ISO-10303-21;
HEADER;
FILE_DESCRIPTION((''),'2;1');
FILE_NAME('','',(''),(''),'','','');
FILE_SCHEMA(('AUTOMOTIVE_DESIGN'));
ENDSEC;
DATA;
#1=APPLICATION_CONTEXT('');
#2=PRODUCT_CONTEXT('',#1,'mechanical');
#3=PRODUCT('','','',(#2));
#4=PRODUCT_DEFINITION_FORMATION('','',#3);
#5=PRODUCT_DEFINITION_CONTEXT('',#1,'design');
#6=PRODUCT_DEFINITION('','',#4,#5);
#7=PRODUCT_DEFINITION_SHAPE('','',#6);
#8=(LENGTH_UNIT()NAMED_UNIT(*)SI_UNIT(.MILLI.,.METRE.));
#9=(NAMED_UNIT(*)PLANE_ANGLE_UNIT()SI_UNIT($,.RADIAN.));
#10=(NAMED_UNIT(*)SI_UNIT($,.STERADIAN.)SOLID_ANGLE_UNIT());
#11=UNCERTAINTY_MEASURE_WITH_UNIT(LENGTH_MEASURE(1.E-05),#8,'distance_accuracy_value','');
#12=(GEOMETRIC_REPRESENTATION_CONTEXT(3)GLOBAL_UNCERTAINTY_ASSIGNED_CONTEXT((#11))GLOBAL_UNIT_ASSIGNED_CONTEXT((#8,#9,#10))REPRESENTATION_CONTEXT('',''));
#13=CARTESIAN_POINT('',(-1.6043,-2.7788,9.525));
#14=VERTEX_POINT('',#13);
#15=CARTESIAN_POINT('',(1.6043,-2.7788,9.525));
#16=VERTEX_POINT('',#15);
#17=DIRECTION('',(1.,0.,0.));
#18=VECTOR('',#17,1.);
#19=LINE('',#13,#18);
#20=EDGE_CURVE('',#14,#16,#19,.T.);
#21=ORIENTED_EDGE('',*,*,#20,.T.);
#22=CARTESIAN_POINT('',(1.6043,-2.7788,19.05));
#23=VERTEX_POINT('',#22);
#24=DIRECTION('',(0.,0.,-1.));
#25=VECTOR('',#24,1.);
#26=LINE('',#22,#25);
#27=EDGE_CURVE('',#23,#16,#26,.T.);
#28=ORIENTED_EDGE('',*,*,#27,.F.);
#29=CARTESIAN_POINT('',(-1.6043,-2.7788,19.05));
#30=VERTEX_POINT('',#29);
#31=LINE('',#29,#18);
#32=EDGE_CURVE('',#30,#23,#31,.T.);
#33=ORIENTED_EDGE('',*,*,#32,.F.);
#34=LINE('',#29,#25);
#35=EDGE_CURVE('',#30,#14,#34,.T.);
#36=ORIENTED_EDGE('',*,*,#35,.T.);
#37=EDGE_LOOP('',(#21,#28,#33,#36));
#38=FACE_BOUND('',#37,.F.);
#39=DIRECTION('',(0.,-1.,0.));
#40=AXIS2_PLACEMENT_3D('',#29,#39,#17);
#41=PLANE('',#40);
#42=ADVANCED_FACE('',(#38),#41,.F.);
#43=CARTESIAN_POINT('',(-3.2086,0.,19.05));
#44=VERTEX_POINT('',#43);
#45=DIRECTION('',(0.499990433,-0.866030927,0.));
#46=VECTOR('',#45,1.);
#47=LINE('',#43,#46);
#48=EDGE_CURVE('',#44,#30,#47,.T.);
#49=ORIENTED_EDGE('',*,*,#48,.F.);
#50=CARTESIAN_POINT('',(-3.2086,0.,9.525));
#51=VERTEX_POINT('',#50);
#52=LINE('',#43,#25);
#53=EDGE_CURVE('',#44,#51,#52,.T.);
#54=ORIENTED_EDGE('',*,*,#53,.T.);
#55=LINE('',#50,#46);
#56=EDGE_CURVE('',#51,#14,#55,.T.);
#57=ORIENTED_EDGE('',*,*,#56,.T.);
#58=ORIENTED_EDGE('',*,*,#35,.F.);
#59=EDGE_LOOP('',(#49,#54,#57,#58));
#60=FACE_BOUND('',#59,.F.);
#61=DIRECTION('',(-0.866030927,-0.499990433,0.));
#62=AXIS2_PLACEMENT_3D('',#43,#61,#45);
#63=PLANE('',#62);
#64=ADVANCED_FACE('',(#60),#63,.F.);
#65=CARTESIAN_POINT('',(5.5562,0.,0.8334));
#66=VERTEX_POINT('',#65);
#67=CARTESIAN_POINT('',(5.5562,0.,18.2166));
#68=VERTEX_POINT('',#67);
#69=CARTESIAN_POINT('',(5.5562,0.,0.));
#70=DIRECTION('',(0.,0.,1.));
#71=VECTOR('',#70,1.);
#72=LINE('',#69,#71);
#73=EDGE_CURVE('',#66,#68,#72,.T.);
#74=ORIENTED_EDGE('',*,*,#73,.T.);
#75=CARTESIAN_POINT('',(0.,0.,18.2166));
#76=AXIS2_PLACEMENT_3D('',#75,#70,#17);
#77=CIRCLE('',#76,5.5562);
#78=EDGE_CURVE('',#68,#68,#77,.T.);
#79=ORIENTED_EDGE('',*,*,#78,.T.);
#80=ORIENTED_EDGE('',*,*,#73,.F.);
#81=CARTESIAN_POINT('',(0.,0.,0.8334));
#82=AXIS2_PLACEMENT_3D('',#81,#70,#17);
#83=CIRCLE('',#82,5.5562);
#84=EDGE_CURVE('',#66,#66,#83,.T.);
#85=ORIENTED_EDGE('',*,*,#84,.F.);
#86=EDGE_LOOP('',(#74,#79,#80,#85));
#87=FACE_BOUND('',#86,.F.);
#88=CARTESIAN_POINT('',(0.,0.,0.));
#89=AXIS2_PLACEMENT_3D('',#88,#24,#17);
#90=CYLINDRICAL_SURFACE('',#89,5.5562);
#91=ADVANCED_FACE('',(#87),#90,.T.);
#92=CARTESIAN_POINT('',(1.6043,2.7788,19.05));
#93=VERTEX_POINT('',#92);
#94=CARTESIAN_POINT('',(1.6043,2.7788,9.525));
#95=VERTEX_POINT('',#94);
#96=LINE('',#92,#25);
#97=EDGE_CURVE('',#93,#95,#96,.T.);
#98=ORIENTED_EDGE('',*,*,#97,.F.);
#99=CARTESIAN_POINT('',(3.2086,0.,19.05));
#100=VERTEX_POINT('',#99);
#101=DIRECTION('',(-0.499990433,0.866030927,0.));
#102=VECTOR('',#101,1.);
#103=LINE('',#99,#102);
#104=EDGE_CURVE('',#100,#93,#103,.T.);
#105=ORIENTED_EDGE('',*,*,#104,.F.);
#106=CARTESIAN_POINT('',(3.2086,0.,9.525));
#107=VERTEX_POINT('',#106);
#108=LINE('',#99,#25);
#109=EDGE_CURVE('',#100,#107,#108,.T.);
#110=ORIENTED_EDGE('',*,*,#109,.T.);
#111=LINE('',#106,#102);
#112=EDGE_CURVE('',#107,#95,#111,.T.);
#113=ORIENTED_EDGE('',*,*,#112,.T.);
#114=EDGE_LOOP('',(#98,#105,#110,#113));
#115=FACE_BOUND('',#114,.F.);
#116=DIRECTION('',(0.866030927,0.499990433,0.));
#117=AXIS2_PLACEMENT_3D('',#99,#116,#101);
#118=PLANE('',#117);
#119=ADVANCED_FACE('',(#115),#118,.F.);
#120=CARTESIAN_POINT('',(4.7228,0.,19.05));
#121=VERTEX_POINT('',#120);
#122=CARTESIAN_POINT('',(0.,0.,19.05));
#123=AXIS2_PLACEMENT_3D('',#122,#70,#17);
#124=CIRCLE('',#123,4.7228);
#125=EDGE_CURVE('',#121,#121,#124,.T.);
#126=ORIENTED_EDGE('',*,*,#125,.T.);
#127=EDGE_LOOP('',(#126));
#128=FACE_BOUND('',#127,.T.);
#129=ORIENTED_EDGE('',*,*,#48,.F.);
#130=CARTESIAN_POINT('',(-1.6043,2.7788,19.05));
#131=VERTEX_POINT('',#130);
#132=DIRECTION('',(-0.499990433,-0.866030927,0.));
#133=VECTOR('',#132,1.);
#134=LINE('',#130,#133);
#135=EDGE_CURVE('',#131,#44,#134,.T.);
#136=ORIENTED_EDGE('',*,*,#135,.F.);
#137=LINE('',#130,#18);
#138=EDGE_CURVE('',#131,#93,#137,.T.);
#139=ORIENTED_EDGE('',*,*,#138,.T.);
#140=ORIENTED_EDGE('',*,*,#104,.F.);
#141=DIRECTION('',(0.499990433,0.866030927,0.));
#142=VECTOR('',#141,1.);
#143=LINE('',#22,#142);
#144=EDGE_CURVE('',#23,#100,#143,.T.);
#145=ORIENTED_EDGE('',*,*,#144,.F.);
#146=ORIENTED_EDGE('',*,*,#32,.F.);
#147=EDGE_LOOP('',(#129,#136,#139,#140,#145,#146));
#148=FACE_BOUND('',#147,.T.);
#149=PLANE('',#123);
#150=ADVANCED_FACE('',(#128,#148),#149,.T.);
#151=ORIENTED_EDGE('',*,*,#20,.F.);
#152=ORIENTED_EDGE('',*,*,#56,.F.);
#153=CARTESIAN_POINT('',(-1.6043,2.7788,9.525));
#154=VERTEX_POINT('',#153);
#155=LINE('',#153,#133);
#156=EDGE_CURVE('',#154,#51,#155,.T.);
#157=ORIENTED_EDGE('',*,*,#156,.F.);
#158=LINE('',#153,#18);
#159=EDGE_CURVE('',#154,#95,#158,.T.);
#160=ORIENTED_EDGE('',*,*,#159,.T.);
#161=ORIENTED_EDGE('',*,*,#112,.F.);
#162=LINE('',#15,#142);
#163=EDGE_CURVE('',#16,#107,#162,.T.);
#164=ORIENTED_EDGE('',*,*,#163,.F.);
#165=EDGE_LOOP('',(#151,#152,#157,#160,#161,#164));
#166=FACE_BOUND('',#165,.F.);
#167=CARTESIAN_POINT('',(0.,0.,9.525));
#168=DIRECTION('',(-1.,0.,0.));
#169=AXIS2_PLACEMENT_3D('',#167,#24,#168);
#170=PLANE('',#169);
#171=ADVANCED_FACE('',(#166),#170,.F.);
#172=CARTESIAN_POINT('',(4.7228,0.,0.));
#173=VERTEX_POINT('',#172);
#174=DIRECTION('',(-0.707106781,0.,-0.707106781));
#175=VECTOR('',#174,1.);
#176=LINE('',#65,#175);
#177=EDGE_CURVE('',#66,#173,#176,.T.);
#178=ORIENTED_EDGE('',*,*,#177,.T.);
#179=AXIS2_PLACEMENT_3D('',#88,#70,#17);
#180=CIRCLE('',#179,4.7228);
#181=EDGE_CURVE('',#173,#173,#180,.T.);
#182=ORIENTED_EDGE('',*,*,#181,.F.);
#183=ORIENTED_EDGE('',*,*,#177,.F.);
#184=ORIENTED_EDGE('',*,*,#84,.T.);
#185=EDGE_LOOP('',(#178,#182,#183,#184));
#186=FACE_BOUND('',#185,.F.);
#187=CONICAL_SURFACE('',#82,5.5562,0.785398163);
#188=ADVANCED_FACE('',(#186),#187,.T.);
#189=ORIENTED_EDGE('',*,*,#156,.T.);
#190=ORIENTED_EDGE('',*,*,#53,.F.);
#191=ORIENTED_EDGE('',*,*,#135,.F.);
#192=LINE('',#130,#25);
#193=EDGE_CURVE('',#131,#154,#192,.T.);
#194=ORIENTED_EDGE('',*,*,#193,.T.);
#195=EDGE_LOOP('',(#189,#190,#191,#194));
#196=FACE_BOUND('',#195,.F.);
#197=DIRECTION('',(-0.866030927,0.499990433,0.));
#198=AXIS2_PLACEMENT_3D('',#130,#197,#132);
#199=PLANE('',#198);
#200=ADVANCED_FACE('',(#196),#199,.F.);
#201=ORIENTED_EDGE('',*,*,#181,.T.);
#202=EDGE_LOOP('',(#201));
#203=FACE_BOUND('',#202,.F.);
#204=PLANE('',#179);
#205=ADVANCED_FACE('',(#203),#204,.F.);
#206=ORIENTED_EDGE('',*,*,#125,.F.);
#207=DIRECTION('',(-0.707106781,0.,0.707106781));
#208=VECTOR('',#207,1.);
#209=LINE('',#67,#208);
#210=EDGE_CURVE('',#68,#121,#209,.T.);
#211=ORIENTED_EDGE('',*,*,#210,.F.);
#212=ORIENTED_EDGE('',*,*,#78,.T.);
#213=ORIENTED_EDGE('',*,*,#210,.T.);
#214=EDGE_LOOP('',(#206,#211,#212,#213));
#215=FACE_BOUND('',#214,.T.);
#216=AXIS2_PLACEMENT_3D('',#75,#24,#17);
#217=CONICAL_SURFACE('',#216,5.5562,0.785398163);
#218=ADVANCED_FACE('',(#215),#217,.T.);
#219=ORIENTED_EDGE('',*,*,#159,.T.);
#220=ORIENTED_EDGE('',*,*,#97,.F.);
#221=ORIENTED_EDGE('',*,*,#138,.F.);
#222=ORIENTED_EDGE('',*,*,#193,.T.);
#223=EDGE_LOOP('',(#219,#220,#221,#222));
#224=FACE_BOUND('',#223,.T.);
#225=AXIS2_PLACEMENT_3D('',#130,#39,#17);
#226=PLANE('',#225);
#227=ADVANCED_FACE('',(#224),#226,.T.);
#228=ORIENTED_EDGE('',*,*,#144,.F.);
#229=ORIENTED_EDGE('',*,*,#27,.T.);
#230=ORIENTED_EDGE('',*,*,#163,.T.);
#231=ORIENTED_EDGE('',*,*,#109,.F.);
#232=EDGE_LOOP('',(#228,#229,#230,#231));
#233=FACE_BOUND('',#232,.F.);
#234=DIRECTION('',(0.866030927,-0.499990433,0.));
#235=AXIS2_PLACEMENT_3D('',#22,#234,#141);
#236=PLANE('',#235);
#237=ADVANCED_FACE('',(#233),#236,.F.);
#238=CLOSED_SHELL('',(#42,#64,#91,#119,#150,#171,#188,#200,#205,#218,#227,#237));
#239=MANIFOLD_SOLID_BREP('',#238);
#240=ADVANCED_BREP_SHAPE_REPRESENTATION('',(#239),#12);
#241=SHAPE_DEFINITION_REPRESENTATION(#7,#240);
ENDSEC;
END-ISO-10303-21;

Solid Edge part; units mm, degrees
sketch "Sketch1" plane through (0, 0, 0) normal (0, 0, 1) x (1, 0, 0)
  circle A0 centre (0, 0) radius 5.5562
  dimension "D1" = 11.1125
extrude "Protrusion1" add sketch "Sketch1" along normal blind 19.05
chamfer "Chamfer1" distance 0.8334 angle 45 2 edges at (-5.5562, 0, 0) (-5.5562, 0, 19.05)
sketch "Sketch2" plane through (0, 0, 19.05) normal (0, 0, 1) x (1, 0, 0)
  line L0 (-1.6043, 2.7788) -> (1.6043, 2.7788)
  line L1 (3.2086, 0) -> (1.6043, 2.7788)
  line L2 (1.6043, -2.7788) -> (3.2086, 0)
  line L3 (-1.6043, -2.7788) -> (1.6043, -2.7788)
  line L4 (-3.2086, 0) -> (-1.6043, -2.7788)
  line L5 (-1.6043, 2.7788) -> (-3.2086, 0)
  dimension "D1" = 5.5575
extrude "Cutout1" cut sketch "Sketch2" against normal blind 9.525
properties part number "24101721"
